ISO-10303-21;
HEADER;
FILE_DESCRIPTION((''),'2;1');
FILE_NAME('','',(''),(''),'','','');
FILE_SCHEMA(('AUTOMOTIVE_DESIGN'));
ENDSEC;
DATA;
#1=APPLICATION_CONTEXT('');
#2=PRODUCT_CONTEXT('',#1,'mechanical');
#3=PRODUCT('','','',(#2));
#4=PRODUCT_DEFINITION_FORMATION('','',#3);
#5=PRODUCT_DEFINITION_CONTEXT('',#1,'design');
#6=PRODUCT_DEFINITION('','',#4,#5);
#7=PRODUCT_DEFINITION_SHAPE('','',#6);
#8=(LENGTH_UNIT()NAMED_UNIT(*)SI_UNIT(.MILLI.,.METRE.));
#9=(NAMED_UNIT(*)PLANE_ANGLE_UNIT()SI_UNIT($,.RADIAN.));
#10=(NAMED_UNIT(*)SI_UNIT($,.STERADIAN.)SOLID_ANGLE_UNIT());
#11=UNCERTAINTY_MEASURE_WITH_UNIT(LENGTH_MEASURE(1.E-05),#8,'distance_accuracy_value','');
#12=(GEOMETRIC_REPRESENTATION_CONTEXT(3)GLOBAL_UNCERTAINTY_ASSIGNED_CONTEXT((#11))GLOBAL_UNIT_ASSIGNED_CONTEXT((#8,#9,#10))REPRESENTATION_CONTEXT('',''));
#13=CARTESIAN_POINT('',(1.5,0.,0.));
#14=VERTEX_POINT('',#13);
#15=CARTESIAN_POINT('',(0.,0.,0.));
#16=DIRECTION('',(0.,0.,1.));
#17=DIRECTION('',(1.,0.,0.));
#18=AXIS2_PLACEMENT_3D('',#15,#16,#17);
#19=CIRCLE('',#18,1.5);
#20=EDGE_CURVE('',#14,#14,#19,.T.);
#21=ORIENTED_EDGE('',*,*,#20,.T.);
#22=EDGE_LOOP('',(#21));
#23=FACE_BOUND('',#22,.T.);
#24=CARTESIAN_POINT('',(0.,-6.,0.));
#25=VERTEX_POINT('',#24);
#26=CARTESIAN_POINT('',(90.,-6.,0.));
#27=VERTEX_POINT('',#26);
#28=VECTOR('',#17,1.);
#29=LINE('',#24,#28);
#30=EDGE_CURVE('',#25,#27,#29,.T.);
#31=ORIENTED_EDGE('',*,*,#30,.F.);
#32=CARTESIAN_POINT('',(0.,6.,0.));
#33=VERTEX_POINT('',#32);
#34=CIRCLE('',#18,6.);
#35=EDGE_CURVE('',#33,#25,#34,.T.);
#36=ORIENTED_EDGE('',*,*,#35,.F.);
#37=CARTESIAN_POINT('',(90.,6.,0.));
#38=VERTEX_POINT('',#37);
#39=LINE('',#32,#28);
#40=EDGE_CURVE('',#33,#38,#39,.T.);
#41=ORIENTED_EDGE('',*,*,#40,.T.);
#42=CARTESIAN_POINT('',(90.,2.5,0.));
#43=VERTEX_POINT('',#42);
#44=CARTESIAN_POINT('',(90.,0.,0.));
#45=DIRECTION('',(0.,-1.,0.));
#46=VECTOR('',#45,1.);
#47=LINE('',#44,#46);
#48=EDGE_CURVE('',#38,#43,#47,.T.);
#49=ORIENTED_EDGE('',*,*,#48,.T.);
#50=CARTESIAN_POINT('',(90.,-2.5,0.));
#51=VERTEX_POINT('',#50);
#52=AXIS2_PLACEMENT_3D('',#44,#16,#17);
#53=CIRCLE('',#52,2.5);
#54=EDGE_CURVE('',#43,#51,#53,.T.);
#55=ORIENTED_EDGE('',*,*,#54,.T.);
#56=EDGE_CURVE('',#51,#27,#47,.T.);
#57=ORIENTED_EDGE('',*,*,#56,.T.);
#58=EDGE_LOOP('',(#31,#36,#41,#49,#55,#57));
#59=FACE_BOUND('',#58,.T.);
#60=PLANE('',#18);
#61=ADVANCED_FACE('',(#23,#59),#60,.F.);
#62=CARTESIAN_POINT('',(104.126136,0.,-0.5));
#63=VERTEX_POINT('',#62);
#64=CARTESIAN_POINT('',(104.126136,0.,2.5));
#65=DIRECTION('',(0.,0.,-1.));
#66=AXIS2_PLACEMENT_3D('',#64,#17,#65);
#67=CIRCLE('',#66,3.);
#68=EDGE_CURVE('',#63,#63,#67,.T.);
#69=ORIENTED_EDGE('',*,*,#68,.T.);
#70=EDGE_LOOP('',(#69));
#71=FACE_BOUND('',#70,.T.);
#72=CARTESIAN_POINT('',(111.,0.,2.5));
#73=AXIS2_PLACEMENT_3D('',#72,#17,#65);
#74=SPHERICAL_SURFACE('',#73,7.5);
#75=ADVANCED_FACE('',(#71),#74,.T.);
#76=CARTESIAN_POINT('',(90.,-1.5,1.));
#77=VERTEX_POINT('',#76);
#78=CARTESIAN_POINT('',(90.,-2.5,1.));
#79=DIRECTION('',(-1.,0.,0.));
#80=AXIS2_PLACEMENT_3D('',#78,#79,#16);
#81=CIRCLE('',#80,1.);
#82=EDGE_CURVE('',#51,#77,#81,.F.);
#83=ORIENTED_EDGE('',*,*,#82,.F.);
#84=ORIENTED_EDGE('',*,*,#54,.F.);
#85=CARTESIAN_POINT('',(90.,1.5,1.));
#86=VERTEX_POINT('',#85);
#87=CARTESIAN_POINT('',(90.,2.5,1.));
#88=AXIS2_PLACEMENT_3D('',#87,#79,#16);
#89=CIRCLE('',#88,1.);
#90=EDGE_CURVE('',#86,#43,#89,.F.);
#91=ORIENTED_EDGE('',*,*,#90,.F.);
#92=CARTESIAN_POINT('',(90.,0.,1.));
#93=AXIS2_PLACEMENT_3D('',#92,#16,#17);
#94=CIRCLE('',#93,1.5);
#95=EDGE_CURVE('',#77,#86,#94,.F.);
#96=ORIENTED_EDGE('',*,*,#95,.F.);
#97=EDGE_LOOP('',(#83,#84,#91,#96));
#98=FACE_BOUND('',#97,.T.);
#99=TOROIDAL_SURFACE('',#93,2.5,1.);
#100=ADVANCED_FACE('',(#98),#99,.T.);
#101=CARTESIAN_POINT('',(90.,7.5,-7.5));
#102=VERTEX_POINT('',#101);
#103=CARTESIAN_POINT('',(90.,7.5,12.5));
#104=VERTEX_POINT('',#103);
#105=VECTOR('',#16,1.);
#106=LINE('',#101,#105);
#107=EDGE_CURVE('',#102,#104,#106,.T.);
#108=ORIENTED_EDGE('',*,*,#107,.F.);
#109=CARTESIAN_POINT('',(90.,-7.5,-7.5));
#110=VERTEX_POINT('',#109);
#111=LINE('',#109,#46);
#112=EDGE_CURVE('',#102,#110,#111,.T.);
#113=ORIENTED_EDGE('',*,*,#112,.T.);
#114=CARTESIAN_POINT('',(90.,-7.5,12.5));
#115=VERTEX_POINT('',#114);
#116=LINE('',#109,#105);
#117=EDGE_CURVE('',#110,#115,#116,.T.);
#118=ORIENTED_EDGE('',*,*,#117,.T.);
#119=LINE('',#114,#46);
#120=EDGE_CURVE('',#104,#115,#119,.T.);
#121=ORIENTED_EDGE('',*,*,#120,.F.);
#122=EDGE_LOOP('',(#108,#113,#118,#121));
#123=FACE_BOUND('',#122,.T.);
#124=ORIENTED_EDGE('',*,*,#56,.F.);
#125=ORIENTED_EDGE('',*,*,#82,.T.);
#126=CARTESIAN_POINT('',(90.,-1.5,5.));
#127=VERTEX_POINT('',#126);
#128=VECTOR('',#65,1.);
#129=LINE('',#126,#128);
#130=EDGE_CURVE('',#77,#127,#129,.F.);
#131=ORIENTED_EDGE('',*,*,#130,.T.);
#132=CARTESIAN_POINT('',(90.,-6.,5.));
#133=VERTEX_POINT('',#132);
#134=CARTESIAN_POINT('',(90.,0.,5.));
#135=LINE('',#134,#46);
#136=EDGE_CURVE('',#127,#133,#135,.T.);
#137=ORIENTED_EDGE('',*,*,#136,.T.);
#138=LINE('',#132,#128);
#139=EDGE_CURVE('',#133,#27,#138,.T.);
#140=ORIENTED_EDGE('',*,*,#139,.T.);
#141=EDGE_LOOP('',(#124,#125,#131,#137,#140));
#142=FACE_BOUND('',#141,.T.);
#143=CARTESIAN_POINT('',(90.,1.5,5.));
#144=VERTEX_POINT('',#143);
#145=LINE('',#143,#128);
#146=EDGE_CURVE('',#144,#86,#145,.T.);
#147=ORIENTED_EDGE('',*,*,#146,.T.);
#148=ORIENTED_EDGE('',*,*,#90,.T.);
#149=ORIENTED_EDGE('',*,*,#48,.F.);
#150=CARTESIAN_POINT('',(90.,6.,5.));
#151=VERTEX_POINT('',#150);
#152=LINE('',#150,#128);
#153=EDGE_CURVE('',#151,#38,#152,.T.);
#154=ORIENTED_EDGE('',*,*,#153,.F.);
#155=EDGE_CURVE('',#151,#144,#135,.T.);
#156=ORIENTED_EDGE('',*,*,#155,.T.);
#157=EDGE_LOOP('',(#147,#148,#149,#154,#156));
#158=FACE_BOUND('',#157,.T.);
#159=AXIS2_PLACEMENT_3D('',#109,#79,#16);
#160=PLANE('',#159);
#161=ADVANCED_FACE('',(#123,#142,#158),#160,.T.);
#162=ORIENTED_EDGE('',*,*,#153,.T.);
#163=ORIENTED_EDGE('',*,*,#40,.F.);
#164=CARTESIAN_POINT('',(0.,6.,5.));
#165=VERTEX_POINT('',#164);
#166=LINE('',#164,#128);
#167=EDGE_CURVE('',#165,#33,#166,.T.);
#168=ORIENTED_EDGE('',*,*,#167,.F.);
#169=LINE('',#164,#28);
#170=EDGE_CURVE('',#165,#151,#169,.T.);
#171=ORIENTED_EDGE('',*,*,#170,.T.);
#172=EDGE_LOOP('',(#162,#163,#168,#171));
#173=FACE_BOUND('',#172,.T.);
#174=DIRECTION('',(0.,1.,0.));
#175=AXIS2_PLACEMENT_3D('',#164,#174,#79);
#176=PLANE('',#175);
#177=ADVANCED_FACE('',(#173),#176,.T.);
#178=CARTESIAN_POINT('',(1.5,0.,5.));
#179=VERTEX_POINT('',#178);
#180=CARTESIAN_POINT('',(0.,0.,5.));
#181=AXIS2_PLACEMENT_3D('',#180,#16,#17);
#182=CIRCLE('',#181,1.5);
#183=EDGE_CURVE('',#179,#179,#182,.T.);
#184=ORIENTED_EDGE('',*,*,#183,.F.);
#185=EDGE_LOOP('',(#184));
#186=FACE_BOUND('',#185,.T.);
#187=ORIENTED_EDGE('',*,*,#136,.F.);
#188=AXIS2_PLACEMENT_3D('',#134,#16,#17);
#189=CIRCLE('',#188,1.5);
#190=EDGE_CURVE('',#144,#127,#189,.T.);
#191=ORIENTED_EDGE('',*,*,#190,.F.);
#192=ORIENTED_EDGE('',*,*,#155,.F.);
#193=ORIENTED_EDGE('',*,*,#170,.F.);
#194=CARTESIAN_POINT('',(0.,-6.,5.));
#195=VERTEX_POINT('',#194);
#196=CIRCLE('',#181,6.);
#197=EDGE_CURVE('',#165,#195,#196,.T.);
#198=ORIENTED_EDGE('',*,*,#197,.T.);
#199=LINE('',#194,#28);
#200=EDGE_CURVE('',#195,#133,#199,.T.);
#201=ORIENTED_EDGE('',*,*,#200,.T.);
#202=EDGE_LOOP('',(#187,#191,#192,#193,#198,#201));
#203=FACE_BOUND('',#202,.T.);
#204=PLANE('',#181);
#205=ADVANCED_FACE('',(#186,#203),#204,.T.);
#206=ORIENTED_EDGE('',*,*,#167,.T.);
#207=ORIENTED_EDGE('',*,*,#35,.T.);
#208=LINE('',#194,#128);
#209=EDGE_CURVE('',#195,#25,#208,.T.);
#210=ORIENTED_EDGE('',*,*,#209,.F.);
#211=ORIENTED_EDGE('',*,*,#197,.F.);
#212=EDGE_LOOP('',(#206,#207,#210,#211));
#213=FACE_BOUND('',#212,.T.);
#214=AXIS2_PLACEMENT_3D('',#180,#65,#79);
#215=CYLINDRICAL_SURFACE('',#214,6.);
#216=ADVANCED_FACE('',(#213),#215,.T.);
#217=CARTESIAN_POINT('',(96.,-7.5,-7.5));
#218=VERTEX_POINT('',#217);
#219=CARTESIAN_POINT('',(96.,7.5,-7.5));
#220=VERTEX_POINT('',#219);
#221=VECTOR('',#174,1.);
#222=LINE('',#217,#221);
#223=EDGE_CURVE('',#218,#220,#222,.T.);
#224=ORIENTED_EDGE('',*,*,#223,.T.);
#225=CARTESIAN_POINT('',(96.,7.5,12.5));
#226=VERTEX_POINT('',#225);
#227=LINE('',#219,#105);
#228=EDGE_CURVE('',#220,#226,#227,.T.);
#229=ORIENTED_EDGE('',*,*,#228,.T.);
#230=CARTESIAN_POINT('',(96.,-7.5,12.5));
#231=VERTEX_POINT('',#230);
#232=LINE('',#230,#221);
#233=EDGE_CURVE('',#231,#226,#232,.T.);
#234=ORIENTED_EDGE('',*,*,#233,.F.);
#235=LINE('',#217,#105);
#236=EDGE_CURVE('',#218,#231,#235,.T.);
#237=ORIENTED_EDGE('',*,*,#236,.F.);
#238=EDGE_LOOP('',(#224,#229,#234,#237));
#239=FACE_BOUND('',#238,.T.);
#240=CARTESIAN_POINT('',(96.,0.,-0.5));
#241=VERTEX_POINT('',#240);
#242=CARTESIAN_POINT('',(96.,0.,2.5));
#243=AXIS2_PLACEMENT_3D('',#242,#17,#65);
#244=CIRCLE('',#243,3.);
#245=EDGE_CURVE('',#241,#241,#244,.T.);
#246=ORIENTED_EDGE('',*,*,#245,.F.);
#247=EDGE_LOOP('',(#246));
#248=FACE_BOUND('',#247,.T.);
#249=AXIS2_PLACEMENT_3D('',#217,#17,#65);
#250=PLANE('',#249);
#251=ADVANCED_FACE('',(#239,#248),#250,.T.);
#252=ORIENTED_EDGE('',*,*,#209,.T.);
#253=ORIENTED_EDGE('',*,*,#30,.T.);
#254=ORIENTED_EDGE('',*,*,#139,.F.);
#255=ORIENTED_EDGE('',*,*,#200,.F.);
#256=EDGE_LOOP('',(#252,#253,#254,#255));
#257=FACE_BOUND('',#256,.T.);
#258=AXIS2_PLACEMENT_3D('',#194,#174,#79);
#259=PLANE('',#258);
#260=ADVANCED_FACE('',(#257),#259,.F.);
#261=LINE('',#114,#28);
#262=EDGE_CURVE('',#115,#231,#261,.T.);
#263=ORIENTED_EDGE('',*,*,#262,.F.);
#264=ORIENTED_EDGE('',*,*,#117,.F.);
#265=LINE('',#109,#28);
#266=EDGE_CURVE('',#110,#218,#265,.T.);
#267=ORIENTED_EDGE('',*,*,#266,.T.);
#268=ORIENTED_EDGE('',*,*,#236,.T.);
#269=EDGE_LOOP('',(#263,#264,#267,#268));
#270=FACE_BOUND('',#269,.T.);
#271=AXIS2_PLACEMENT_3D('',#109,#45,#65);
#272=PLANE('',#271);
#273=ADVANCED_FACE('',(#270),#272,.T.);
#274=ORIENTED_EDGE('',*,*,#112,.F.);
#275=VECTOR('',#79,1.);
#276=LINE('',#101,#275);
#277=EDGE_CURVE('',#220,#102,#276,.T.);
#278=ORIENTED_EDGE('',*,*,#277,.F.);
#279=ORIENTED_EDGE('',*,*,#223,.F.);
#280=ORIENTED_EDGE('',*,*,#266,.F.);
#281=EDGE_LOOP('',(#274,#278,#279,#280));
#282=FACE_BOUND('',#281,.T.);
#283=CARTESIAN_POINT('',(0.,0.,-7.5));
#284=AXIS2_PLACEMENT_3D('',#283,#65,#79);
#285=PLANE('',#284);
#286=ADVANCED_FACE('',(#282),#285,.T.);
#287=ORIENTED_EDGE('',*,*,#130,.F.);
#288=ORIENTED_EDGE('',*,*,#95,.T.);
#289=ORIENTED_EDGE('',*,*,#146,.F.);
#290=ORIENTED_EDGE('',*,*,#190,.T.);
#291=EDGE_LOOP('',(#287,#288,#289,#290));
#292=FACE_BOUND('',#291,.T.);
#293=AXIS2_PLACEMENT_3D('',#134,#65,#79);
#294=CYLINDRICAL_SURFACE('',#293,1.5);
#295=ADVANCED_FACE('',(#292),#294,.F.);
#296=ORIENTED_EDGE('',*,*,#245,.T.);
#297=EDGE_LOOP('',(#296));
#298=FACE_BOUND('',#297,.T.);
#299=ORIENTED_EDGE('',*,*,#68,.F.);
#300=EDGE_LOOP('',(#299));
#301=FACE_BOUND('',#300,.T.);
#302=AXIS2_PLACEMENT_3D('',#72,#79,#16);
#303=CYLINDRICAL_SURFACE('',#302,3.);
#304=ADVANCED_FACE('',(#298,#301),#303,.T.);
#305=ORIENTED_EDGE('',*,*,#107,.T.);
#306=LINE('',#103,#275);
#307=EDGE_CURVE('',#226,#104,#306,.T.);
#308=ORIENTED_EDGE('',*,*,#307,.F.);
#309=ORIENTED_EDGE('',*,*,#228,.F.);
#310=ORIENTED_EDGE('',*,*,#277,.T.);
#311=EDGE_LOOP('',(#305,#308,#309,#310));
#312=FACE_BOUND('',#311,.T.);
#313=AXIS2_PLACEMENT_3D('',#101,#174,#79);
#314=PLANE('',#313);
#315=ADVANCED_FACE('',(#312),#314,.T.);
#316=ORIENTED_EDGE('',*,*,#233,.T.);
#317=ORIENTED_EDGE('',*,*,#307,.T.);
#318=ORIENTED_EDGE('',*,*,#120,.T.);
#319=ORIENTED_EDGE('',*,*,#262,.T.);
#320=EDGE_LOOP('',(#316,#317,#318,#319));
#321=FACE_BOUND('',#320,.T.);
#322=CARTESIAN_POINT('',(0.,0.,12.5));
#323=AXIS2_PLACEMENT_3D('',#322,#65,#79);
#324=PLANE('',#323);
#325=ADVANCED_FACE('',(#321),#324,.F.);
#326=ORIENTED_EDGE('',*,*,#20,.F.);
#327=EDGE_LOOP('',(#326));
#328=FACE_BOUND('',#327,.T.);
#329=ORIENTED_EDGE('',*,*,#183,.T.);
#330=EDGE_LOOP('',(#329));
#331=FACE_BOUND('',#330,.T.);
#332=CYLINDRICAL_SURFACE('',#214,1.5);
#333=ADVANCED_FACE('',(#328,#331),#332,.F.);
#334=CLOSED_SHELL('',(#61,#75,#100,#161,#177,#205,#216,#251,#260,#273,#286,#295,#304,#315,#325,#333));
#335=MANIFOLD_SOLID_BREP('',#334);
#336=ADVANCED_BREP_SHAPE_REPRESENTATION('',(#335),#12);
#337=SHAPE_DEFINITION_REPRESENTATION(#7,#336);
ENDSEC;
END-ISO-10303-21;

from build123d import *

# Parameters (mm, degrees)
SKETCH1_R           = 1.5
BOSS_EXTRUDE1_DEPTH = 5
FILLET3_R           = 1
BOSS_EXTRUDE2_START = 7.5
SKETCH4_W           = 6
SKETCH4_H           = 15
BOSS_EXTRUDE2_DEPTH = 20
SKETCH5_R           = 3
BOSS_EXTRUDE3_DEPTH = 15


with BuildPart() as part:
    # Sketch1 → Boss-Extrude1 (new body)
    with BuildSketch(Plane.XY):
        with BuildLine():
            ThreePointArc((0, 6), (-6, 0), (0, -6))
            Line((0, -6), (90, -6))
            ThreePointArc((90, -6), (96, 0), (90, 6))
            Line((90, 6), (0, 6))
        make_face()
        Circle(SKETCH1_R, mode=Mode.SUBTRACT)
        with Locations((90, 0)):
            Circle(SKETCH1_R, mode=Mode.SUBTRACT)
    extrude(amount=BOSS_EXTRUDE1_DEPTH)

    # Fillet3
    fillet3_edges = [part.edges().sort_by_distance(p)[0] for p in [
        (88.5, 0, 0),
    ]]
    fillet(fillet3_edges, radius=FILLET3_R)

    # Sketch4 → Boss-Extrude2 (add)
    with BuildSketch(Plane.XY.offset(5).offset(BOSS_EXTRUDE2_START)):
        with Locations((93, 0)):
            Rectangle(SKETCH4_W, SKETCH4_H)
    extrude(amount=-BOSS_EXTRUDE2_DEPTH)

    # Sketch5 → Boss-Extrude3 (add)
    with BuildSketch(Plane(origin=(96, 0, 0), x_dir=(0, 0, -1), z_dir=(1, 0, 0))):
        with Locations((-2.5, 0)):
            Circle(SKETCH5_R)
    extrude(amount=BOSS_EXTRUDE3_DEPTH)

    # Sketch6 → Revolve1 (revolve)
    with BuildSketch(Plane(origin=(111, 0, 0), x_dir=(0, 0, -1), z_dir=(1, 0, 0))):
        with BuildLine():
            Line((-2.5, 7.5), (-2.5, -7.5))
            ThreePointArc((-2.5, -7.5), (5, 0), (-2.5, 7.5))
        make_face()
    revolve(axis=Axis((111, 7.5, 2.5), (0, -1, 0)))


solid = part.part
